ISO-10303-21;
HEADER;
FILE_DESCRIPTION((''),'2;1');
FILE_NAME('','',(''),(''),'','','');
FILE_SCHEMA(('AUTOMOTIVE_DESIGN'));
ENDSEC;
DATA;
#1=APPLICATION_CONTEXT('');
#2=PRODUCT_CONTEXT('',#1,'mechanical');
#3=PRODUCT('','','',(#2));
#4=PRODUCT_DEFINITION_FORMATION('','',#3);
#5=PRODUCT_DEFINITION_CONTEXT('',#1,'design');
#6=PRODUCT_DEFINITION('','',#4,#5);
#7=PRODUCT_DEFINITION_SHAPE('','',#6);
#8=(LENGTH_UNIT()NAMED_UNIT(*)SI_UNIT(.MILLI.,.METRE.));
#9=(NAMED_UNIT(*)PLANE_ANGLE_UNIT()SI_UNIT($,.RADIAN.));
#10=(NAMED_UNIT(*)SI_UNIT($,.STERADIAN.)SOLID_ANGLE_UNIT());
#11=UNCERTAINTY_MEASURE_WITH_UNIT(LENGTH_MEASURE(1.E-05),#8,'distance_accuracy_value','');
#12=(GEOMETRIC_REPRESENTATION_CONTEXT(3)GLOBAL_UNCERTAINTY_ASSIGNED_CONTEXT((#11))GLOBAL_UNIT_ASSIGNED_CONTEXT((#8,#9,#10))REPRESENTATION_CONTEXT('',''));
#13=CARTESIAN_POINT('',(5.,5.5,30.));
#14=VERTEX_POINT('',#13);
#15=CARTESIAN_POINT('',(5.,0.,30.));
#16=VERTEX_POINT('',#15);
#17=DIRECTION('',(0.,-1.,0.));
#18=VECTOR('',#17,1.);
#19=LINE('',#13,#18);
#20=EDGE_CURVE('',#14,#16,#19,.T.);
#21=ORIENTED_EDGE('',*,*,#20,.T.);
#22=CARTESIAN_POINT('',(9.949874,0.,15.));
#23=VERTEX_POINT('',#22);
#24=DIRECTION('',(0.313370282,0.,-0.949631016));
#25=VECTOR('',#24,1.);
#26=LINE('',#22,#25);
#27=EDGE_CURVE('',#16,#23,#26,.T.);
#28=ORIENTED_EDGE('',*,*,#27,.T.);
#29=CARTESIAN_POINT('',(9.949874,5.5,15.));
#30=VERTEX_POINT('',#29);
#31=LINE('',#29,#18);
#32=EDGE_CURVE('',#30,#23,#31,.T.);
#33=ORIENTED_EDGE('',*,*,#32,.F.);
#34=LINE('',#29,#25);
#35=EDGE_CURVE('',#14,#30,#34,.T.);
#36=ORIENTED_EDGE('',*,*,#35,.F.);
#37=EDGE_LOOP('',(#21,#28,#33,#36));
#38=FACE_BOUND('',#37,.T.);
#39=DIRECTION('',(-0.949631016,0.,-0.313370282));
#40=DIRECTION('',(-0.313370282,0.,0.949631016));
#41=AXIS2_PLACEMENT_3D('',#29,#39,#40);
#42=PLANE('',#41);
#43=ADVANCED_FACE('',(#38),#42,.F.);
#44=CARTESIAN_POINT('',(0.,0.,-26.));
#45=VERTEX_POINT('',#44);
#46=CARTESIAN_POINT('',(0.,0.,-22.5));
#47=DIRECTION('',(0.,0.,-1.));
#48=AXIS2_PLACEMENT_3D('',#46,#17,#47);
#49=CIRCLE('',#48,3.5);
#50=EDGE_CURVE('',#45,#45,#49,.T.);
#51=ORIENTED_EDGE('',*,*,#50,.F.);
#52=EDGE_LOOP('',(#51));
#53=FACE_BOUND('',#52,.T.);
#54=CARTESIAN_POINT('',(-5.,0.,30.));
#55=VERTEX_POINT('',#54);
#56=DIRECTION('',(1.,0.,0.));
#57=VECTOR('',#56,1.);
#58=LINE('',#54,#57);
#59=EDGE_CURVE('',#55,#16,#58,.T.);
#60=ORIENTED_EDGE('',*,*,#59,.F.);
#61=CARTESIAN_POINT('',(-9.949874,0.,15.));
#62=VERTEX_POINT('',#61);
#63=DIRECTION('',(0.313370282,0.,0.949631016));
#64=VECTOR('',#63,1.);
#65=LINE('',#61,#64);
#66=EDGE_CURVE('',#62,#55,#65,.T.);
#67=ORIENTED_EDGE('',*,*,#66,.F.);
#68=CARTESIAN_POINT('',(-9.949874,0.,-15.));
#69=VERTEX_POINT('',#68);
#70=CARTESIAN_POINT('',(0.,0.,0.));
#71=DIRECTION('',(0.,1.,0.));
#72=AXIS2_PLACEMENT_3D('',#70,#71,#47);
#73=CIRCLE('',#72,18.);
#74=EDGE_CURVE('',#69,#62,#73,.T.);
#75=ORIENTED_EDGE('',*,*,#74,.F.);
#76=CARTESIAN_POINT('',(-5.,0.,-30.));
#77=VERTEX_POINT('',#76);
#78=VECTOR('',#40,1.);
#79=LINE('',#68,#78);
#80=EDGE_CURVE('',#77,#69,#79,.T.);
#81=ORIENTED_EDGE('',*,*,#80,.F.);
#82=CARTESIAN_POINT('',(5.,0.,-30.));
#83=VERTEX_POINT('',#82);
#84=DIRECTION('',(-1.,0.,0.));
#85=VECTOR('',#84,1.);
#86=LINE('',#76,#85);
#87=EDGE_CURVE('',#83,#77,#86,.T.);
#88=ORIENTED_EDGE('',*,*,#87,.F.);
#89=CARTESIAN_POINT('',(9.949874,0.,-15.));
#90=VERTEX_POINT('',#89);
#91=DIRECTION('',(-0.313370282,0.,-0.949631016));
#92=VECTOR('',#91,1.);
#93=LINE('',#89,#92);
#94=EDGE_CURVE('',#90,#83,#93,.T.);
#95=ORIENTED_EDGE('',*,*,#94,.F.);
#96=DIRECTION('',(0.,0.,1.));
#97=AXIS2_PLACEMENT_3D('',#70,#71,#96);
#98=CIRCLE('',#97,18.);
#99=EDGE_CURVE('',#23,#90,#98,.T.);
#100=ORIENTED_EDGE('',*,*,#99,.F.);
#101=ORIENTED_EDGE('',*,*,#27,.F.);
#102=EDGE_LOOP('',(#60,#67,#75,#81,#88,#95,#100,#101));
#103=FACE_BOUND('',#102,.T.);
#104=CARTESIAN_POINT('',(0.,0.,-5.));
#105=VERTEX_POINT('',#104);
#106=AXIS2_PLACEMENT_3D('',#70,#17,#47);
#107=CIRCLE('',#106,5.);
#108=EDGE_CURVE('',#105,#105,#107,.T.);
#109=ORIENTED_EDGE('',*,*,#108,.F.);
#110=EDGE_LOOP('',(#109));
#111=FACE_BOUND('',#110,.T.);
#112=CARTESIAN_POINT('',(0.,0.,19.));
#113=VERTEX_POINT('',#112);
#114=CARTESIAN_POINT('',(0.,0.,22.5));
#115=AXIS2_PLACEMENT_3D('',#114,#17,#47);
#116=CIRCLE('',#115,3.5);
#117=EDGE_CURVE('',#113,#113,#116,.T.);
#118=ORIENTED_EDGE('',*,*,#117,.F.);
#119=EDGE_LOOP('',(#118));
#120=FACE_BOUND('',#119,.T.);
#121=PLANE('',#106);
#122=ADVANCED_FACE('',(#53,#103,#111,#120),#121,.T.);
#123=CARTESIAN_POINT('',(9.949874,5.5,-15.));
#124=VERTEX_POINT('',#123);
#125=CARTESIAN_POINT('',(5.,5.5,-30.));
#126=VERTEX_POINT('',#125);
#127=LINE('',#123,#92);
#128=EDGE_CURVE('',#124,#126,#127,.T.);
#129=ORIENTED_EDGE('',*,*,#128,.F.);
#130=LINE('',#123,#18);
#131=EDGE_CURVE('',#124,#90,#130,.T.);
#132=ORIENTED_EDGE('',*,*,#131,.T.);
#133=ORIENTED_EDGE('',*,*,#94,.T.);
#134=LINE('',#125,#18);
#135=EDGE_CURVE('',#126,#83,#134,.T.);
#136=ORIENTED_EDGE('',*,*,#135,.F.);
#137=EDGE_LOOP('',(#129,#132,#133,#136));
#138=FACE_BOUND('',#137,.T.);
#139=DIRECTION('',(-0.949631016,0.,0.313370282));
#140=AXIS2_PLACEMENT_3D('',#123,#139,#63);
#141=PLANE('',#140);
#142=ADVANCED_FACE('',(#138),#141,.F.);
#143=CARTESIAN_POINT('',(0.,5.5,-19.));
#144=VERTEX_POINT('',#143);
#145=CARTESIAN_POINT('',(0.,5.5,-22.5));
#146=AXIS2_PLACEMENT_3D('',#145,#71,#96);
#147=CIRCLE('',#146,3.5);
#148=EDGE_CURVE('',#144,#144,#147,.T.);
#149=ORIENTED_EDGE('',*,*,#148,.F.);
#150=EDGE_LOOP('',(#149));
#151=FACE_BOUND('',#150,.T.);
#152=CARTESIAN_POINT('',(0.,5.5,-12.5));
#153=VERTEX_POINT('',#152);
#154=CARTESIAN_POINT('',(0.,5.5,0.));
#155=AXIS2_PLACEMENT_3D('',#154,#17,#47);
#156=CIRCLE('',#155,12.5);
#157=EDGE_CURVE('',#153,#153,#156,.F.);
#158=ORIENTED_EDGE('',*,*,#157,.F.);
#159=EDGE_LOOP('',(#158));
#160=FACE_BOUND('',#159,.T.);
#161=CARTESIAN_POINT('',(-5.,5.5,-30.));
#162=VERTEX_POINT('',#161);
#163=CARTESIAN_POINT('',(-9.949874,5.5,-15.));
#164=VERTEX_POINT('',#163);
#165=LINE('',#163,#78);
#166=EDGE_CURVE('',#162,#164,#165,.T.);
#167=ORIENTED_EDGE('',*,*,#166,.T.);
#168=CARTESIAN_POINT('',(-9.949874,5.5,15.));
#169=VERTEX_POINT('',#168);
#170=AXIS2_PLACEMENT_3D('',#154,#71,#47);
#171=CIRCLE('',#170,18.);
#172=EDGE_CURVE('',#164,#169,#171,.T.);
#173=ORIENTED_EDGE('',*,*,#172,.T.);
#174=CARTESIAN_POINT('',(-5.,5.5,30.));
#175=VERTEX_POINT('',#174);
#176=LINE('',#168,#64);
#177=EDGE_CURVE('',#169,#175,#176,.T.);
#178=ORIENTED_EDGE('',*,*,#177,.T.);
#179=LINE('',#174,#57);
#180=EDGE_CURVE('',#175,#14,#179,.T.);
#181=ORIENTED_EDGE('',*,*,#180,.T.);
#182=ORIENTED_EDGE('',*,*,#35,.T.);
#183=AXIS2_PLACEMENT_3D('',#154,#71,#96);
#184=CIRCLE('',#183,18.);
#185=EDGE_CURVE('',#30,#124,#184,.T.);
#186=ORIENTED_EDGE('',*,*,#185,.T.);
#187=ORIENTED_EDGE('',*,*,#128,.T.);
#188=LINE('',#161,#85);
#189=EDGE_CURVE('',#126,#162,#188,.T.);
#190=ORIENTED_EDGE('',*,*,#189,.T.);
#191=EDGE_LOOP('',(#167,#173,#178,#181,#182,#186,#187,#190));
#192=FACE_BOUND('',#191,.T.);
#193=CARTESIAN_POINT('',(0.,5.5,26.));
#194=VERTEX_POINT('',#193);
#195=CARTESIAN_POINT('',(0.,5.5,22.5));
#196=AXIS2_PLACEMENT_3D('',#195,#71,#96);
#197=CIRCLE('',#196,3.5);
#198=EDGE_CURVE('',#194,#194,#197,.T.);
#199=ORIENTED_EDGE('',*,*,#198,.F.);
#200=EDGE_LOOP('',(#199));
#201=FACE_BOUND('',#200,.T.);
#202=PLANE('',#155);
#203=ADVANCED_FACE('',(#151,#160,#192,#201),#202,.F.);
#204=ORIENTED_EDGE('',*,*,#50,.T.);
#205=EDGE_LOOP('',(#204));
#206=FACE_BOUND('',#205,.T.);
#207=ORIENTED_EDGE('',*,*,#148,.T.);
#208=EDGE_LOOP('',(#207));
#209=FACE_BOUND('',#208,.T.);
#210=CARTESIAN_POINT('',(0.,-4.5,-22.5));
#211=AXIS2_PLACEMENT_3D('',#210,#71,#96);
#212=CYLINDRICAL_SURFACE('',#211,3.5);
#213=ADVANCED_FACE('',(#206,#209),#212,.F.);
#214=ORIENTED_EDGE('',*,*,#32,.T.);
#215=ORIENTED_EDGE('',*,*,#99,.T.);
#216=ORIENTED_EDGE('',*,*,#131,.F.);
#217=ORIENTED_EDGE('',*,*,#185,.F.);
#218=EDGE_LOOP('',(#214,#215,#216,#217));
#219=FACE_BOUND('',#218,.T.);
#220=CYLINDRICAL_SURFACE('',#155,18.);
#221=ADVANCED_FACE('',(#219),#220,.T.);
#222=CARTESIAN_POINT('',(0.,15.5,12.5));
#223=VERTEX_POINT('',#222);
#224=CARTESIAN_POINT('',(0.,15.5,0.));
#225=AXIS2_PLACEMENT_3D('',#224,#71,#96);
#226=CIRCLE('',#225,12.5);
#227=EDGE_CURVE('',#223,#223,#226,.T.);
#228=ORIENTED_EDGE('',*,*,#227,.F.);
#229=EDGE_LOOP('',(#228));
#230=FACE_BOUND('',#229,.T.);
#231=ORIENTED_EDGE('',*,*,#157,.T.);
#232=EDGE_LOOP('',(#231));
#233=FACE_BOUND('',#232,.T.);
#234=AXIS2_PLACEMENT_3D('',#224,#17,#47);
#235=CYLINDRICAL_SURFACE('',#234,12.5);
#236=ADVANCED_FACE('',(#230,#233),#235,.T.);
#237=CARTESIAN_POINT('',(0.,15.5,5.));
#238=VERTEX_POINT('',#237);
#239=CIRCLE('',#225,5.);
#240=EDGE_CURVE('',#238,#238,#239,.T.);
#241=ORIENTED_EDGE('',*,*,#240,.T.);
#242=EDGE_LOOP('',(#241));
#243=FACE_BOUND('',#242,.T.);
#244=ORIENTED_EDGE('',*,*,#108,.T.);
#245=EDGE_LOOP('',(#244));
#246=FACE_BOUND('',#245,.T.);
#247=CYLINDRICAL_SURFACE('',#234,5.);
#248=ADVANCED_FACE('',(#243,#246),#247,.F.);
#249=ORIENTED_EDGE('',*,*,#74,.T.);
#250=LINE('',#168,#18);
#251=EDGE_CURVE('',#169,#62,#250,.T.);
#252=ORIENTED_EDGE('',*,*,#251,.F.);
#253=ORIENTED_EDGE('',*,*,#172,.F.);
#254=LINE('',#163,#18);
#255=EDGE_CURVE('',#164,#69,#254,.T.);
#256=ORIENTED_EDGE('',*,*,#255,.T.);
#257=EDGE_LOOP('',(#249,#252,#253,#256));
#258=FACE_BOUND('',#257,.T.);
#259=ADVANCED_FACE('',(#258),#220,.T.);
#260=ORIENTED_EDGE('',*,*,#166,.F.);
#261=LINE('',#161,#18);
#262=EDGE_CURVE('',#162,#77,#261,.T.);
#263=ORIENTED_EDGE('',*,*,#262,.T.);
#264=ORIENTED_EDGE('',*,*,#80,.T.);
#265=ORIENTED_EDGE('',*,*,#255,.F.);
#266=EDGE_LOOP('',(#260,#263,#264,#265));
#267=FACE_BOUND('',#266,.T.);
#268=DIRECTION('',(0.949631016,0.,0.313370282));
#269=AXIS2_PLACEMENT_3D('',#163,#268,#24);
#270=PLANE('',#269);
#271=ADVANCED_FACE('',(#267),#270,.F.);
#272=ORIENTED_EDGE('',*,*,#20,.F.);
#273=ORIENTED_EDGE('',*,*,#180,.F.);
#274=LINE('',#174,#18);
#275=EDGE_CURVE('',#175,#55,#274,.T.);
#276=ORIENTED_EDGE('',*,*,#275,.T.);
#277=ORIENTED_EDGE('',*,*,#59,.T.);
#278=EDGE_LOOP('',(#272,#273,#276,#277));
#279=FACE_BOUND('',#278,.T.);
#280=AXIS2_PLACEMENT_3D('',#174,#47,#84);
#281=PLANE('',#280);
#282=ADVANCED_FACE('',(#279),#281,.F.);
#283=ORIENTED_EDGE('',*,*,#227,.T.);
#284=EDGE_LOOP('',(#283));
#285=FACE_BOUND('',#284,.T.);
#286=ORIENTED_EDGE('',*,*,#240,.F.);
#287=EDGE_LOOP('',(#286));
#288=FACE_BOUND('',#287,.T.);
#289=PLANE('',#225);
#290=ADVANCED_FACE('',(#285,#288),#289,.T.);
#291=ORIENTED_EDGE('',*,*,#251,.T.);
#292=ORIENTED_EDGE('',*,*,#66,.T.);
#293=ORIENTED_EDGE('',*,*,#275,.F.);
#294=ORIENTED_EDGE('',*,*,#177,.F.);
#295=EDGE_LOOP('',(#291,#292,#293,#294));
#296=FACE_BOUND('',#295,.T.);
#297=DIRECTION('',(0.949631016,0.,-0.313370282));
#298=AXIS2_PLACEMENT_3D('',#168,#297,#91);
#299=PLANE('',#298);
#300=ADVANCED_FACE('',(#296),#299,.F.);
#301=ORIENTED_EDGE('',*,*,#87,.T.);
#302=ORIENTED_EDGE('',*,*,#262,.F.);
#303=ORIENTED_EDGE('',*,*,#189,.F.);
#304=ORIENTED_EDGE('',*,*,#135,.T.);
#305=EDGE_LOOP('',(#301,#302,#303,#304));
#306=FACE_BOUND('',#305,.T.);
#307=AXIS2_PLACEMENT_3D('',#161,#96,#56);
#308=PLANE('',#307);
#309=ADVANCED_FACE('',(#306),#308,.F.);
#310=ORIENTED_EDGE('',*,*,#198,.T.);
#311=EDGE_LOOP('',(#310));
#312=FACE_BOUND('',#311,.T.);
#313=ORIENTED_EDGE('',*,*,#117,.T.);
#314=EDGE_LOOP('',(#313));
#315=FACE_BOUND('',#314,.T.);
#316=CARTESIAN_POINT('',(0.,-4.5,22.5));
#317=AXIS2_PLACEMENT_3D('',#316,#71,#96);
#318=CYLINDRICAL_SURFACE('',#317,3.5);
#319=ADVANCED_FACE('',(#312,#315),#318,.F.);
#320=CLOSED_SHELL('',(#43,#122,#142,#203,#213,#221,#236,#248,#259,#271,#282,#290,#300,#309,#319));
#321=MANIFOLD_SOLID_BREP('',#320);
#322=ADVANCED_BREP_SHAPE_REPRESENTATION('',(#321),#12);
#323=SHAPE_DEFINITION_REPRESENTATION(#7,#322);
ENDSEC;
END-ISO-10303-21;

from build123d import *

# Parameters (mm, degrees)
BOSS_EXTRU_1_DEPTH      = 5.5
ESQUISSE2_R             = 12.5
ESQUISSE2_R_2           = 5
BOSS_EXTRU_2_DEPTH      = 10
ENL_V_START             = -10
ESQUISSE3_R             = 5
ENL_V_MAT_EXTRU_1_DEPTH = 10
ESQUISSE4_R             = 3.5
ENL_V_MAT_EXTRU_2_DEPTH = 10
D_GAGEMENT_M61_D        = 7
D_GAGEMENT_M61_DEPTH    = 120
D_GAGEMENT_M61_TIP      = 2.103012167
D_GAGEMENT_M62_D        = 7
D_GAGEMENT_M62_DEPTH    = 120
D_GAGEMENT_M62_TIP      = 2.103012167


with BuildPart() as part:
    # Esquisse1 → Boss.-Extru.1 (new body)
    with BuildSketch(Plane(origin=(0, 0, 0), x_dir=(1, 0, 0), z_dir=(0, 1, 0))):
        with BuildLine():
            Line((-9.949874371, 15), (-5, 30))
            Line((-5, 30), (5, 30))
            Line((5, 30), (9.949874371, 15))
            ThreePointArc((9.949874371, 15), (18, 0), (9.949874371, -15))
            Line((9.949874371, -15), (5, -30))
            Line((5, -30), (-5, -30))
            Line((-5, -30), (-9.949874371, -15))
            ThreePointArc((-9.949874371, -15), (-18, 0), (-9.949874371, 15))
        make_face()
    extrude(amount=BOSS_EXTRU_1_DEPTH)

    # Esquisse2 → Boss.-Extru.2 (add)
    with BuildSketch(Plane(origin=(0, 5.5, 0), x_dir=(1, 0, 0), z_dir=(0, 1, 0))):
        with Locations(Location((0, 0, 0), (0, 0, 90))):
            Circle(ESQUISSE2_R)
        with Locations(Location((0, 0, 0), (0, 0, 270))):
            Circle(ESQUISSE2_R_2, mode=Mode.SUBTRACT)
    extrude(amount=BOSS_EXTRU_2_DEPTH)

    # Esquisse3 → Enlèv. mat.-Extru.1 (cut)
    with BuildSketch(Plane(origin=(0, 5.5, 0), x_dir=(1, 0, 0), z_dir=(0, 1, 0)).offset(ENL_V_START)):
        with Locations(Location((0, 0, 0), (0, 0, 90))):
            Circle(ESQUISSE3_R)
    extrude(amount=ENL_V_MAT_EXTRU_1_DEPTH, mode=Mode.SUBTRACT)

    # Esquisse4 → Enlèv. mat.-Extru.2 (cut)
    with BuildSketch(Plane(origin=(0, 5.5, 0), x_dir=(1, 0, 0), z_dir=(0, 1, 0))):
        with Locations(Location((0, 22.5, 0), (0, 0, 270))):
            Circle(ESQUISSE4_R)
        with Locations(Location((0, -22.5, 0), (0, 0, 270))):
            Circle(ESQUISSE4_R)
    extrude(amount=-ENL_V_MAT_EXTRU_2_DEPTH, mode=Mode.SUBTRACT)

    # Dégagement M61
    with Locations(Plane(origin=(0, 0, 0), x_dir=(0, 0, -1), z_dir=(0, 1, 0))):
        with Locations((22.5, 0), (-22.5, 0)):
            Hole(D_GAGEMENT_M61_D / 2, depth=D_GAGEMENT_M61_DEPTH)
            with Locations((0, 0, -(D_GAGEMENT_M61_DEPTH + D_GAGEMENT_M61_TIP / 2))):  # 118° drill point
                Cone(0, D_GAGEMENT_M61_D / 2, D_GAGEMENT_M61_TIP, mode=Mode.SUBTRACT)

    # Dégagement M62
    with Locations(Plane(origin=(0, -60, 0), x_dir=(0, 0, 1), z_dir=(0, -1, 0))):
        with Locations((22.5, 0), (-22.5, 0)):
            Hole(D_GAGEMENT_M62_D / 2, depth=D_GAGEMENT_M62_DEPTH)
            with Locations((0, 0, -(D_GAGEMENT_M62_DEPTH + D_GAGEMENT_M62_TIP / 2))):  # 118° drill point
                Cone(0, D_GAGEMENT_M62_D / 2, D_GAGEMENT_M62_TIP, mode=Mode.SUBTRACT)


solid = part.part
